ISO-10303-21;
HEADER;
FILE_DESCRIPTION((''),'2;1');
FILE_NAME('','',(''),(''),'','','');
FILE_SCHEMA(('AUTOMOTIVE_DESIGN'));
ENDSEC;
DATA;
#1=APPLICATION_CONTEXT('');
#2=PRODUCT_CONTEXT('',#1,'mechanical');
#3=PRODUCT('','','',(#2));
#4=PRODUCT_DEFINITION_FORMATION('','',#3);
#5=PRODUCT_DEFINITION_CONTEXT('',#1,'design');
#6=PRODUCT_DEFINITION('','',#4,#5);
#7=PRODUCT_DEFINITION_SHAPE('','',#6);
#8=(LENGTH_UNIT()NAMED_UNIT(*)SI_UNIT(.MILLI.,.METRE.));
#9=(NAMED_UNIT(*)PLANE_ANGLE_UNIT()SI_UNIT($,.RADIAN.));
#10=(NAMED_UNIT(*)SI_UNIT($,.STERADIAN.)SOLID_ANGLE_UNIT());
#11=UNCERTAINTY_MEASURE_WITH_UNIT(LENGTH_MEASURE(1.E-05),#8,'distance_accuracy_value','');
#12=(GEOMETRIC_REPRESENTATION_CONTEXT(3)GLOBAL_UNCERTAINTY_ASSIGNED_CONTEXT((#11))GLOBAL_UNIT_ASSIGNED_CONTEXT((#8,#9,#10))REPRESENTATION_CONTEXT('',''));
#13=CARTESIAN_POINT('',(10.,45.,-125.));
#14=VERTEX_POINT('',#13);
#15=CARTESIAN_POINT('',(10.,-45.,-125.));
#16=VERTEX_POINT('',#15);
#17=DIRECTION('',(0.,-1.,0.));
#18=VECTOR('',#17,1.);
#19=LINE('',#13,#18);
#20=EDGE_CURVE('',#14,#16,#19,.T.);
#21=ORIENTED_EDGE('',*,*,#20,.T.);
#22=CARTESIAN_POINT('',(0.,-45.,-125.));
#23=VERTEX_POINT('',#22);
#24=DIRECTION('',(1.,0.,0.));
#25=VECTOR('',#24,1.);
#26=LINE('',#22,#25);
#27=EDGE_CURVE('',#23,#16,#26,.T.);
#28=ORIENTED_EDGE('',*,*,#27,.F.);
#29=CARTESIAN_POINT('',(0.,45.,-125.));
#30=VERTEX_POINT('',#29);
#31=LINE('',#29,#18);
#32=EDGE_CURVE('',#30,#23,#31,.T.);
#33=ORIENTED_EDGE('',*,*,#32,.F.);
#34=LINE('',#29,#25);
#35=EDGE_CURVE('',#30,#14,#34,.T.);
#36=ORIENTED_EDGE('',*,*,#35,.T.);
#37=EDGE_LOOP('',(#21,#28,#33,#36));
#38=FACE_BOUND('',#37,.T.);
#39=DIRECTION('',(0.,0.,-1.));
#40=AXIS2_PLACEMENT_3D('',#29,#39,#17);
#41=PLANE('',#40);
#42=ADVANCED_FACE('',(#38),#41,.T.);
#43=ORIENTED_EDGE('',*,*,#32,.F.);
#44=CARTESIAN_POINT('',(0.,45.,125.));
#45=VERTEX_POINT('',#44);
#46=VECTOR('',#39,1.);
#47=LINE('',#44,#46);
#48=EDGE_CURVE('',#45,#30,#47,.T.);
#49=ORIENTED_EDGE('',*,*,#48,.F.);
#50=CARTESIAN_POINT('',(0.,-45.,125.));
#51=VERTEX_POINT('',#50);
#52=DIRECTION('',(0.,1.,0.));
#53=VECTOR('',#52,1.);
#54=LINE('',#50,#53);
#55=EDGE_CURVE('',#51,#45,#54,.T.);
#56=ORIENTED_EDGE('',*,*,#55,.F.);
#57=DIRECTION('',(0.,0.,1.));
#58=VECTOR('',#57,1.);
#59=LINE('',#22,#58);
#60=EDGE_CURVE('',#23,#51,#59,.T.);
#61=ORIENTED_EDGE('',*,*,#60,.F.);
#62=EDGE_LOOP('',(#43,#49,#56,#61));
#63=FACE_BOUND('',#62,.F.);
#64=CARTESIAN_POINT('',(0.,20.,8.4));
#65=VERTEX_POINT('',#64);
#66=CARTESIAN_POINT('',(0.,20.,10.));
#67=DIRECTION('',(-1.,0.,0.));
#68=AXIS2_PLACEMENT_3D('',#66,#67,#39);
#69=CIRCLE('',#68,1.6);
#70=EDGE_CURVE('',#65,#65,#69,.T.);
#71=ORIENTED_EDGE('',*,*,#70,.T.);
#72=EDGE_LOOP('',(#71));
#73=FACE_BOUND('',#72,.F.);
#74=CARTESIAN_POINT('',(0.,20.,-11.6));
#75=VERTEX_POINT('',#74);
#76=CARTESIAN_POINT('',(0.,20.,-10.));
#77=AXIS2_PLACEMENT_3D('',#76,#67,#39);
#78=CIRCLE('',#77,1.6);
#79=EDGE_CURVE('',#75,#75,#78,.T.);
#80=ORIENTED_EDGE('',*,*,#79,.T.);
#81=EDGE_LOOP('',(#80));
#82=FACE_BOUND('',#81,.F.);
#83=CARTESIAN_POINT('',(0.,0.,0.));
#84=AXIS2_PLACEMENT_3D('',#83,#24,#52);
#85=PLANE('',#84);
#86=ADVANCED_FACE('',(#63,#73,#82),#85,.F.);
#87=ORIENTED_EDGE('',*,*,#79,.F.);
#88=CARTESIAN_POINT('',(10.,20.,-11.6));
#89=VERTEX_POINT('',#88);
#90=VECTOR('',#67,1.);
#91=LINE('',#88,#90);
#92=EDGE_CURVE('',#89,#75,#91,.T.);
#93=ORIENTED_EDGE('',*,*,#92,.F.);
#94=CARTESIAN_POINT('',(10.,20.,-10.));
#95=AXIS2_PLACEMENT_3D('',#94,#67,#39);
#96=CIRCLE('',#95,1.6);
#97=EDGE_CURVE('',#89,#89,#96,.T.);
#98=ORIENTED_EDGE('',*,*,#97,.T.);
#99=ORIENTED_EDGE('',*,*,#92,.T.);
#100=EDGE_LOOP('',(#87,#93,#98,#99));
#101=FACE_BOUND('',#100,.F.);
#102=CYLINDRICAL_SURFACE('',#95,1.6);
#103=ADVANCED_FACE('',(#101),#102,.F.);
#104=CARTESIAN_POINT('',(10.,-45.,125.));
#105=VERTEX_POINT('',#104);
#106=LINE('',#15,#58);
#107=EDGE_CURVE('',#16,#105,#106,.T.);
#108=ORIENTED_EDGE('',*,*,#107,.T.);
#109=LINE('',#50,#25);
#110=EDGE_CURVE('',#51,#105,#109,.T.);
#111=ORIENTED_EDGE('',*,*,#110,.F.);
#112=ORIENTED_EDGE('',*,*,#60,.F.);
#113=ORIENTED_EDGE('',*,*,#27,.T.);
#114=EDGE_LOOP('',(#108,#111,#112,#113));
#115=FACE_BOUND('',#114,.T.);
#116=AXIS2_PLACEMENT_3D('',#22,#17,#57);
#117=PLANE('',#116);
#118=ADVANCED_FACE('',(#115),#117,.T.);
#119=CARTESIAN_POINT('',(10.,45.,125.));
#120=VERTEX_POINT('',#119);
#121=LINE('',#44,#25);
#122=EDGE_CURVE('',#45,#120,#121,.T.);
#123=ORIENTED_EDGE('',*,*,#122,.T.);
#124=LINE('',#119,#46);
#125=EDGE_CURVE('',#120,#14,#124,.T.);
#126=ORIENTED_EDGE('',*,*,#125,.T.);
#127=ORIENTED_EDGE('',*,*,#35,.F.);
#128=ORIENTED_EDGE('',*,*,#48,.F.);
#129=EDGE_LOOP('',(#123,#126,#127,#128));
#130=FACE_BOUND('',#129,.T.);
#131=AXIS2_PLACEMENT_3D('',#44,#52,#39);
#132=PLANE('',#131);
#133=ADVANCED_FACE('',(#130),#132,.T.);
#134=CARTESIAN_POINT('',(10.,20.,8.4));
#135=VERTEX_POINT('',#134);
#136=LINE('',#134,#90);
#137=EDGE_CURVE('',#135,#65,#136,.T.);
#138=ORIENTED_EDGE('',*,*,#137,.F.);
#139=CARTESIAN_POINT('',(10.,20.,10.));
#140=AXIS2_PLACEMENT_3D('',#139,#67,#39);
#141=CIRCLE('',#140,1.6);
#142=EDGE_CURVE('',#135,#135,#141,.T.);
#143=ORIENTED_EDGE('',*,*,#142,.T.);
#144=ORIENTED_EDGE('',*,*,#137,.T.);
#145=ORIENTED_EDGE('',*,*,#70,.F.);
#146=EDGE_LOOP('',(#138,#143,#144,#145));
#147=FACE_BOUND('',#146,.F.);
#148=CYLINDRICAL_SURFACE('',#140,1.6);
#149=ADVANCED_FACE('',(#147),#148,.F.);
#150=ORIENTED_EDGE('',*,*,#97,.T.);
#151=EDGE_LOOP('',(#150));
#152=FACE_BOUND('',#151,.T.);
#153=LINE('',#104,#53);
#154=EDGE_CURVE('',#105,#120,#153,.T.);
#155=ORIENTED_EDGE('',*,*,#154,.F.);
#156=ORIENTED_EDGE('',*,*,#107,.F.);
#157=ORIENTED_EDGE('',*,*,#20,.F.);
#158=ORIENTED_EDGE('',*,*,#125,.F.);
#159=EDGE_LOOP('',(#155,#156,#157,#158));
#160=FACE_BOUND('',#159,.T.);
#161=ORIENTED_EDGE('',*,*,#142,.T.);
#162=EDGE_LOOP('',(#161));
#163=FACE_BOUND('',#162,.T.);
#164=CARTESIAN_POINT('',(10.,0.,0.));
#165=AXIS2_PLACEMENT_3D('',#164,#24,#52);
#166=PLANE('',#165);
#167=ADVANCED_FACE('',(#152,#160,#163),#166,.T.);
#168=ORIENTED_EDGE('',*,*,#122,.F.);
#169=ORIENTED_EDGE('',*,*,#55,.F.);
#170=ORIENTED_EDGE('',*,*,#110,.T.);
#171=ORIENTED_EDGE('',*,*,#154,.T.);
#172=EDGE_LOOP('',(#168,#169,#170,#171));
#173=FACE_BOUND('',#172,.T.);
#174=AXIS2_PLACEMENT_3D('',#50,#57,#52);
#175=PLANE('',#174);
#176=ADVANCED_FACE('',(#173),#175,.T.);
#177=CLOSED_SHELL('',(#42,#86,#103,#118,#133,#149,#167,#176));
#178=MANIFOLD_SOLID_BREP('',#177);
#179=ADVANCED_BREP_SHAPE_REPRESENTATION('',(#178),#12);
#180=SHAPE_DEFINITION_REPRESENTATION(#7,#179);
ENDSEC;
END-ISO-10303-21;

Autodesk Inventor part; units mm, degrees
ref_plane "YZ Plane" through (0, 0, 0) normal (1, 0, 0) x (0, 1, 0)
ref_plane "XZ Plane" through (0, 0, 0) normal (0, 1, 0) x (-1, 0, 0)
ref_plane "XY Plane" through (0, 0, 0) normal (0, 0, 1) x (1, 0, 0)
sketch "Sketch1" plane through (0, 0, 0) normal (1, 0, 0) x (0, 1, 0)
  line L0 (-45, 125) -> (45, 125)
  line L1 (45, 125) -> (45, -125)
  line L2 (45, -125) -> (-45, -125)
  line L3 (-45, -125) -> (-45, 125)
  line L4 (-45, 125) -> (45, -125) construction
  line L5 (45, 125) -> (-45, -125) construction
  point P0 (0, 0)
  dimension "d0" = 250
  dimension "d1" = 90
extrude "Extrusion1" add sketch "Sketch1" along normal blind 10
sketch "Sketch2" plane through (10, 0, 0) normal (1, 0, 0) x (0, 0, -1)
  line L0 (125, -45) -> (125, 45) projected
  line L1 (125, 45) -> (-125, 45) projected
  line L2 (-125, 45) -> (-125, -45) projected
  line L3 (-125, -45) -> (125, -45) projected
  line L4 (0, 45) -> (0, 20)
  line L5 (-10, 20) -> (10, 20)
  point P0 (0, 0)
  dimension "d4" = 20
  dimension "d5" = 25
hole "Hole1" at (10, 20, 10) at (10, 20, -10) direction (-1, 0, 0) diameter 3.2 end through all
properties part number "09_Tam_canh_top_bottom"
